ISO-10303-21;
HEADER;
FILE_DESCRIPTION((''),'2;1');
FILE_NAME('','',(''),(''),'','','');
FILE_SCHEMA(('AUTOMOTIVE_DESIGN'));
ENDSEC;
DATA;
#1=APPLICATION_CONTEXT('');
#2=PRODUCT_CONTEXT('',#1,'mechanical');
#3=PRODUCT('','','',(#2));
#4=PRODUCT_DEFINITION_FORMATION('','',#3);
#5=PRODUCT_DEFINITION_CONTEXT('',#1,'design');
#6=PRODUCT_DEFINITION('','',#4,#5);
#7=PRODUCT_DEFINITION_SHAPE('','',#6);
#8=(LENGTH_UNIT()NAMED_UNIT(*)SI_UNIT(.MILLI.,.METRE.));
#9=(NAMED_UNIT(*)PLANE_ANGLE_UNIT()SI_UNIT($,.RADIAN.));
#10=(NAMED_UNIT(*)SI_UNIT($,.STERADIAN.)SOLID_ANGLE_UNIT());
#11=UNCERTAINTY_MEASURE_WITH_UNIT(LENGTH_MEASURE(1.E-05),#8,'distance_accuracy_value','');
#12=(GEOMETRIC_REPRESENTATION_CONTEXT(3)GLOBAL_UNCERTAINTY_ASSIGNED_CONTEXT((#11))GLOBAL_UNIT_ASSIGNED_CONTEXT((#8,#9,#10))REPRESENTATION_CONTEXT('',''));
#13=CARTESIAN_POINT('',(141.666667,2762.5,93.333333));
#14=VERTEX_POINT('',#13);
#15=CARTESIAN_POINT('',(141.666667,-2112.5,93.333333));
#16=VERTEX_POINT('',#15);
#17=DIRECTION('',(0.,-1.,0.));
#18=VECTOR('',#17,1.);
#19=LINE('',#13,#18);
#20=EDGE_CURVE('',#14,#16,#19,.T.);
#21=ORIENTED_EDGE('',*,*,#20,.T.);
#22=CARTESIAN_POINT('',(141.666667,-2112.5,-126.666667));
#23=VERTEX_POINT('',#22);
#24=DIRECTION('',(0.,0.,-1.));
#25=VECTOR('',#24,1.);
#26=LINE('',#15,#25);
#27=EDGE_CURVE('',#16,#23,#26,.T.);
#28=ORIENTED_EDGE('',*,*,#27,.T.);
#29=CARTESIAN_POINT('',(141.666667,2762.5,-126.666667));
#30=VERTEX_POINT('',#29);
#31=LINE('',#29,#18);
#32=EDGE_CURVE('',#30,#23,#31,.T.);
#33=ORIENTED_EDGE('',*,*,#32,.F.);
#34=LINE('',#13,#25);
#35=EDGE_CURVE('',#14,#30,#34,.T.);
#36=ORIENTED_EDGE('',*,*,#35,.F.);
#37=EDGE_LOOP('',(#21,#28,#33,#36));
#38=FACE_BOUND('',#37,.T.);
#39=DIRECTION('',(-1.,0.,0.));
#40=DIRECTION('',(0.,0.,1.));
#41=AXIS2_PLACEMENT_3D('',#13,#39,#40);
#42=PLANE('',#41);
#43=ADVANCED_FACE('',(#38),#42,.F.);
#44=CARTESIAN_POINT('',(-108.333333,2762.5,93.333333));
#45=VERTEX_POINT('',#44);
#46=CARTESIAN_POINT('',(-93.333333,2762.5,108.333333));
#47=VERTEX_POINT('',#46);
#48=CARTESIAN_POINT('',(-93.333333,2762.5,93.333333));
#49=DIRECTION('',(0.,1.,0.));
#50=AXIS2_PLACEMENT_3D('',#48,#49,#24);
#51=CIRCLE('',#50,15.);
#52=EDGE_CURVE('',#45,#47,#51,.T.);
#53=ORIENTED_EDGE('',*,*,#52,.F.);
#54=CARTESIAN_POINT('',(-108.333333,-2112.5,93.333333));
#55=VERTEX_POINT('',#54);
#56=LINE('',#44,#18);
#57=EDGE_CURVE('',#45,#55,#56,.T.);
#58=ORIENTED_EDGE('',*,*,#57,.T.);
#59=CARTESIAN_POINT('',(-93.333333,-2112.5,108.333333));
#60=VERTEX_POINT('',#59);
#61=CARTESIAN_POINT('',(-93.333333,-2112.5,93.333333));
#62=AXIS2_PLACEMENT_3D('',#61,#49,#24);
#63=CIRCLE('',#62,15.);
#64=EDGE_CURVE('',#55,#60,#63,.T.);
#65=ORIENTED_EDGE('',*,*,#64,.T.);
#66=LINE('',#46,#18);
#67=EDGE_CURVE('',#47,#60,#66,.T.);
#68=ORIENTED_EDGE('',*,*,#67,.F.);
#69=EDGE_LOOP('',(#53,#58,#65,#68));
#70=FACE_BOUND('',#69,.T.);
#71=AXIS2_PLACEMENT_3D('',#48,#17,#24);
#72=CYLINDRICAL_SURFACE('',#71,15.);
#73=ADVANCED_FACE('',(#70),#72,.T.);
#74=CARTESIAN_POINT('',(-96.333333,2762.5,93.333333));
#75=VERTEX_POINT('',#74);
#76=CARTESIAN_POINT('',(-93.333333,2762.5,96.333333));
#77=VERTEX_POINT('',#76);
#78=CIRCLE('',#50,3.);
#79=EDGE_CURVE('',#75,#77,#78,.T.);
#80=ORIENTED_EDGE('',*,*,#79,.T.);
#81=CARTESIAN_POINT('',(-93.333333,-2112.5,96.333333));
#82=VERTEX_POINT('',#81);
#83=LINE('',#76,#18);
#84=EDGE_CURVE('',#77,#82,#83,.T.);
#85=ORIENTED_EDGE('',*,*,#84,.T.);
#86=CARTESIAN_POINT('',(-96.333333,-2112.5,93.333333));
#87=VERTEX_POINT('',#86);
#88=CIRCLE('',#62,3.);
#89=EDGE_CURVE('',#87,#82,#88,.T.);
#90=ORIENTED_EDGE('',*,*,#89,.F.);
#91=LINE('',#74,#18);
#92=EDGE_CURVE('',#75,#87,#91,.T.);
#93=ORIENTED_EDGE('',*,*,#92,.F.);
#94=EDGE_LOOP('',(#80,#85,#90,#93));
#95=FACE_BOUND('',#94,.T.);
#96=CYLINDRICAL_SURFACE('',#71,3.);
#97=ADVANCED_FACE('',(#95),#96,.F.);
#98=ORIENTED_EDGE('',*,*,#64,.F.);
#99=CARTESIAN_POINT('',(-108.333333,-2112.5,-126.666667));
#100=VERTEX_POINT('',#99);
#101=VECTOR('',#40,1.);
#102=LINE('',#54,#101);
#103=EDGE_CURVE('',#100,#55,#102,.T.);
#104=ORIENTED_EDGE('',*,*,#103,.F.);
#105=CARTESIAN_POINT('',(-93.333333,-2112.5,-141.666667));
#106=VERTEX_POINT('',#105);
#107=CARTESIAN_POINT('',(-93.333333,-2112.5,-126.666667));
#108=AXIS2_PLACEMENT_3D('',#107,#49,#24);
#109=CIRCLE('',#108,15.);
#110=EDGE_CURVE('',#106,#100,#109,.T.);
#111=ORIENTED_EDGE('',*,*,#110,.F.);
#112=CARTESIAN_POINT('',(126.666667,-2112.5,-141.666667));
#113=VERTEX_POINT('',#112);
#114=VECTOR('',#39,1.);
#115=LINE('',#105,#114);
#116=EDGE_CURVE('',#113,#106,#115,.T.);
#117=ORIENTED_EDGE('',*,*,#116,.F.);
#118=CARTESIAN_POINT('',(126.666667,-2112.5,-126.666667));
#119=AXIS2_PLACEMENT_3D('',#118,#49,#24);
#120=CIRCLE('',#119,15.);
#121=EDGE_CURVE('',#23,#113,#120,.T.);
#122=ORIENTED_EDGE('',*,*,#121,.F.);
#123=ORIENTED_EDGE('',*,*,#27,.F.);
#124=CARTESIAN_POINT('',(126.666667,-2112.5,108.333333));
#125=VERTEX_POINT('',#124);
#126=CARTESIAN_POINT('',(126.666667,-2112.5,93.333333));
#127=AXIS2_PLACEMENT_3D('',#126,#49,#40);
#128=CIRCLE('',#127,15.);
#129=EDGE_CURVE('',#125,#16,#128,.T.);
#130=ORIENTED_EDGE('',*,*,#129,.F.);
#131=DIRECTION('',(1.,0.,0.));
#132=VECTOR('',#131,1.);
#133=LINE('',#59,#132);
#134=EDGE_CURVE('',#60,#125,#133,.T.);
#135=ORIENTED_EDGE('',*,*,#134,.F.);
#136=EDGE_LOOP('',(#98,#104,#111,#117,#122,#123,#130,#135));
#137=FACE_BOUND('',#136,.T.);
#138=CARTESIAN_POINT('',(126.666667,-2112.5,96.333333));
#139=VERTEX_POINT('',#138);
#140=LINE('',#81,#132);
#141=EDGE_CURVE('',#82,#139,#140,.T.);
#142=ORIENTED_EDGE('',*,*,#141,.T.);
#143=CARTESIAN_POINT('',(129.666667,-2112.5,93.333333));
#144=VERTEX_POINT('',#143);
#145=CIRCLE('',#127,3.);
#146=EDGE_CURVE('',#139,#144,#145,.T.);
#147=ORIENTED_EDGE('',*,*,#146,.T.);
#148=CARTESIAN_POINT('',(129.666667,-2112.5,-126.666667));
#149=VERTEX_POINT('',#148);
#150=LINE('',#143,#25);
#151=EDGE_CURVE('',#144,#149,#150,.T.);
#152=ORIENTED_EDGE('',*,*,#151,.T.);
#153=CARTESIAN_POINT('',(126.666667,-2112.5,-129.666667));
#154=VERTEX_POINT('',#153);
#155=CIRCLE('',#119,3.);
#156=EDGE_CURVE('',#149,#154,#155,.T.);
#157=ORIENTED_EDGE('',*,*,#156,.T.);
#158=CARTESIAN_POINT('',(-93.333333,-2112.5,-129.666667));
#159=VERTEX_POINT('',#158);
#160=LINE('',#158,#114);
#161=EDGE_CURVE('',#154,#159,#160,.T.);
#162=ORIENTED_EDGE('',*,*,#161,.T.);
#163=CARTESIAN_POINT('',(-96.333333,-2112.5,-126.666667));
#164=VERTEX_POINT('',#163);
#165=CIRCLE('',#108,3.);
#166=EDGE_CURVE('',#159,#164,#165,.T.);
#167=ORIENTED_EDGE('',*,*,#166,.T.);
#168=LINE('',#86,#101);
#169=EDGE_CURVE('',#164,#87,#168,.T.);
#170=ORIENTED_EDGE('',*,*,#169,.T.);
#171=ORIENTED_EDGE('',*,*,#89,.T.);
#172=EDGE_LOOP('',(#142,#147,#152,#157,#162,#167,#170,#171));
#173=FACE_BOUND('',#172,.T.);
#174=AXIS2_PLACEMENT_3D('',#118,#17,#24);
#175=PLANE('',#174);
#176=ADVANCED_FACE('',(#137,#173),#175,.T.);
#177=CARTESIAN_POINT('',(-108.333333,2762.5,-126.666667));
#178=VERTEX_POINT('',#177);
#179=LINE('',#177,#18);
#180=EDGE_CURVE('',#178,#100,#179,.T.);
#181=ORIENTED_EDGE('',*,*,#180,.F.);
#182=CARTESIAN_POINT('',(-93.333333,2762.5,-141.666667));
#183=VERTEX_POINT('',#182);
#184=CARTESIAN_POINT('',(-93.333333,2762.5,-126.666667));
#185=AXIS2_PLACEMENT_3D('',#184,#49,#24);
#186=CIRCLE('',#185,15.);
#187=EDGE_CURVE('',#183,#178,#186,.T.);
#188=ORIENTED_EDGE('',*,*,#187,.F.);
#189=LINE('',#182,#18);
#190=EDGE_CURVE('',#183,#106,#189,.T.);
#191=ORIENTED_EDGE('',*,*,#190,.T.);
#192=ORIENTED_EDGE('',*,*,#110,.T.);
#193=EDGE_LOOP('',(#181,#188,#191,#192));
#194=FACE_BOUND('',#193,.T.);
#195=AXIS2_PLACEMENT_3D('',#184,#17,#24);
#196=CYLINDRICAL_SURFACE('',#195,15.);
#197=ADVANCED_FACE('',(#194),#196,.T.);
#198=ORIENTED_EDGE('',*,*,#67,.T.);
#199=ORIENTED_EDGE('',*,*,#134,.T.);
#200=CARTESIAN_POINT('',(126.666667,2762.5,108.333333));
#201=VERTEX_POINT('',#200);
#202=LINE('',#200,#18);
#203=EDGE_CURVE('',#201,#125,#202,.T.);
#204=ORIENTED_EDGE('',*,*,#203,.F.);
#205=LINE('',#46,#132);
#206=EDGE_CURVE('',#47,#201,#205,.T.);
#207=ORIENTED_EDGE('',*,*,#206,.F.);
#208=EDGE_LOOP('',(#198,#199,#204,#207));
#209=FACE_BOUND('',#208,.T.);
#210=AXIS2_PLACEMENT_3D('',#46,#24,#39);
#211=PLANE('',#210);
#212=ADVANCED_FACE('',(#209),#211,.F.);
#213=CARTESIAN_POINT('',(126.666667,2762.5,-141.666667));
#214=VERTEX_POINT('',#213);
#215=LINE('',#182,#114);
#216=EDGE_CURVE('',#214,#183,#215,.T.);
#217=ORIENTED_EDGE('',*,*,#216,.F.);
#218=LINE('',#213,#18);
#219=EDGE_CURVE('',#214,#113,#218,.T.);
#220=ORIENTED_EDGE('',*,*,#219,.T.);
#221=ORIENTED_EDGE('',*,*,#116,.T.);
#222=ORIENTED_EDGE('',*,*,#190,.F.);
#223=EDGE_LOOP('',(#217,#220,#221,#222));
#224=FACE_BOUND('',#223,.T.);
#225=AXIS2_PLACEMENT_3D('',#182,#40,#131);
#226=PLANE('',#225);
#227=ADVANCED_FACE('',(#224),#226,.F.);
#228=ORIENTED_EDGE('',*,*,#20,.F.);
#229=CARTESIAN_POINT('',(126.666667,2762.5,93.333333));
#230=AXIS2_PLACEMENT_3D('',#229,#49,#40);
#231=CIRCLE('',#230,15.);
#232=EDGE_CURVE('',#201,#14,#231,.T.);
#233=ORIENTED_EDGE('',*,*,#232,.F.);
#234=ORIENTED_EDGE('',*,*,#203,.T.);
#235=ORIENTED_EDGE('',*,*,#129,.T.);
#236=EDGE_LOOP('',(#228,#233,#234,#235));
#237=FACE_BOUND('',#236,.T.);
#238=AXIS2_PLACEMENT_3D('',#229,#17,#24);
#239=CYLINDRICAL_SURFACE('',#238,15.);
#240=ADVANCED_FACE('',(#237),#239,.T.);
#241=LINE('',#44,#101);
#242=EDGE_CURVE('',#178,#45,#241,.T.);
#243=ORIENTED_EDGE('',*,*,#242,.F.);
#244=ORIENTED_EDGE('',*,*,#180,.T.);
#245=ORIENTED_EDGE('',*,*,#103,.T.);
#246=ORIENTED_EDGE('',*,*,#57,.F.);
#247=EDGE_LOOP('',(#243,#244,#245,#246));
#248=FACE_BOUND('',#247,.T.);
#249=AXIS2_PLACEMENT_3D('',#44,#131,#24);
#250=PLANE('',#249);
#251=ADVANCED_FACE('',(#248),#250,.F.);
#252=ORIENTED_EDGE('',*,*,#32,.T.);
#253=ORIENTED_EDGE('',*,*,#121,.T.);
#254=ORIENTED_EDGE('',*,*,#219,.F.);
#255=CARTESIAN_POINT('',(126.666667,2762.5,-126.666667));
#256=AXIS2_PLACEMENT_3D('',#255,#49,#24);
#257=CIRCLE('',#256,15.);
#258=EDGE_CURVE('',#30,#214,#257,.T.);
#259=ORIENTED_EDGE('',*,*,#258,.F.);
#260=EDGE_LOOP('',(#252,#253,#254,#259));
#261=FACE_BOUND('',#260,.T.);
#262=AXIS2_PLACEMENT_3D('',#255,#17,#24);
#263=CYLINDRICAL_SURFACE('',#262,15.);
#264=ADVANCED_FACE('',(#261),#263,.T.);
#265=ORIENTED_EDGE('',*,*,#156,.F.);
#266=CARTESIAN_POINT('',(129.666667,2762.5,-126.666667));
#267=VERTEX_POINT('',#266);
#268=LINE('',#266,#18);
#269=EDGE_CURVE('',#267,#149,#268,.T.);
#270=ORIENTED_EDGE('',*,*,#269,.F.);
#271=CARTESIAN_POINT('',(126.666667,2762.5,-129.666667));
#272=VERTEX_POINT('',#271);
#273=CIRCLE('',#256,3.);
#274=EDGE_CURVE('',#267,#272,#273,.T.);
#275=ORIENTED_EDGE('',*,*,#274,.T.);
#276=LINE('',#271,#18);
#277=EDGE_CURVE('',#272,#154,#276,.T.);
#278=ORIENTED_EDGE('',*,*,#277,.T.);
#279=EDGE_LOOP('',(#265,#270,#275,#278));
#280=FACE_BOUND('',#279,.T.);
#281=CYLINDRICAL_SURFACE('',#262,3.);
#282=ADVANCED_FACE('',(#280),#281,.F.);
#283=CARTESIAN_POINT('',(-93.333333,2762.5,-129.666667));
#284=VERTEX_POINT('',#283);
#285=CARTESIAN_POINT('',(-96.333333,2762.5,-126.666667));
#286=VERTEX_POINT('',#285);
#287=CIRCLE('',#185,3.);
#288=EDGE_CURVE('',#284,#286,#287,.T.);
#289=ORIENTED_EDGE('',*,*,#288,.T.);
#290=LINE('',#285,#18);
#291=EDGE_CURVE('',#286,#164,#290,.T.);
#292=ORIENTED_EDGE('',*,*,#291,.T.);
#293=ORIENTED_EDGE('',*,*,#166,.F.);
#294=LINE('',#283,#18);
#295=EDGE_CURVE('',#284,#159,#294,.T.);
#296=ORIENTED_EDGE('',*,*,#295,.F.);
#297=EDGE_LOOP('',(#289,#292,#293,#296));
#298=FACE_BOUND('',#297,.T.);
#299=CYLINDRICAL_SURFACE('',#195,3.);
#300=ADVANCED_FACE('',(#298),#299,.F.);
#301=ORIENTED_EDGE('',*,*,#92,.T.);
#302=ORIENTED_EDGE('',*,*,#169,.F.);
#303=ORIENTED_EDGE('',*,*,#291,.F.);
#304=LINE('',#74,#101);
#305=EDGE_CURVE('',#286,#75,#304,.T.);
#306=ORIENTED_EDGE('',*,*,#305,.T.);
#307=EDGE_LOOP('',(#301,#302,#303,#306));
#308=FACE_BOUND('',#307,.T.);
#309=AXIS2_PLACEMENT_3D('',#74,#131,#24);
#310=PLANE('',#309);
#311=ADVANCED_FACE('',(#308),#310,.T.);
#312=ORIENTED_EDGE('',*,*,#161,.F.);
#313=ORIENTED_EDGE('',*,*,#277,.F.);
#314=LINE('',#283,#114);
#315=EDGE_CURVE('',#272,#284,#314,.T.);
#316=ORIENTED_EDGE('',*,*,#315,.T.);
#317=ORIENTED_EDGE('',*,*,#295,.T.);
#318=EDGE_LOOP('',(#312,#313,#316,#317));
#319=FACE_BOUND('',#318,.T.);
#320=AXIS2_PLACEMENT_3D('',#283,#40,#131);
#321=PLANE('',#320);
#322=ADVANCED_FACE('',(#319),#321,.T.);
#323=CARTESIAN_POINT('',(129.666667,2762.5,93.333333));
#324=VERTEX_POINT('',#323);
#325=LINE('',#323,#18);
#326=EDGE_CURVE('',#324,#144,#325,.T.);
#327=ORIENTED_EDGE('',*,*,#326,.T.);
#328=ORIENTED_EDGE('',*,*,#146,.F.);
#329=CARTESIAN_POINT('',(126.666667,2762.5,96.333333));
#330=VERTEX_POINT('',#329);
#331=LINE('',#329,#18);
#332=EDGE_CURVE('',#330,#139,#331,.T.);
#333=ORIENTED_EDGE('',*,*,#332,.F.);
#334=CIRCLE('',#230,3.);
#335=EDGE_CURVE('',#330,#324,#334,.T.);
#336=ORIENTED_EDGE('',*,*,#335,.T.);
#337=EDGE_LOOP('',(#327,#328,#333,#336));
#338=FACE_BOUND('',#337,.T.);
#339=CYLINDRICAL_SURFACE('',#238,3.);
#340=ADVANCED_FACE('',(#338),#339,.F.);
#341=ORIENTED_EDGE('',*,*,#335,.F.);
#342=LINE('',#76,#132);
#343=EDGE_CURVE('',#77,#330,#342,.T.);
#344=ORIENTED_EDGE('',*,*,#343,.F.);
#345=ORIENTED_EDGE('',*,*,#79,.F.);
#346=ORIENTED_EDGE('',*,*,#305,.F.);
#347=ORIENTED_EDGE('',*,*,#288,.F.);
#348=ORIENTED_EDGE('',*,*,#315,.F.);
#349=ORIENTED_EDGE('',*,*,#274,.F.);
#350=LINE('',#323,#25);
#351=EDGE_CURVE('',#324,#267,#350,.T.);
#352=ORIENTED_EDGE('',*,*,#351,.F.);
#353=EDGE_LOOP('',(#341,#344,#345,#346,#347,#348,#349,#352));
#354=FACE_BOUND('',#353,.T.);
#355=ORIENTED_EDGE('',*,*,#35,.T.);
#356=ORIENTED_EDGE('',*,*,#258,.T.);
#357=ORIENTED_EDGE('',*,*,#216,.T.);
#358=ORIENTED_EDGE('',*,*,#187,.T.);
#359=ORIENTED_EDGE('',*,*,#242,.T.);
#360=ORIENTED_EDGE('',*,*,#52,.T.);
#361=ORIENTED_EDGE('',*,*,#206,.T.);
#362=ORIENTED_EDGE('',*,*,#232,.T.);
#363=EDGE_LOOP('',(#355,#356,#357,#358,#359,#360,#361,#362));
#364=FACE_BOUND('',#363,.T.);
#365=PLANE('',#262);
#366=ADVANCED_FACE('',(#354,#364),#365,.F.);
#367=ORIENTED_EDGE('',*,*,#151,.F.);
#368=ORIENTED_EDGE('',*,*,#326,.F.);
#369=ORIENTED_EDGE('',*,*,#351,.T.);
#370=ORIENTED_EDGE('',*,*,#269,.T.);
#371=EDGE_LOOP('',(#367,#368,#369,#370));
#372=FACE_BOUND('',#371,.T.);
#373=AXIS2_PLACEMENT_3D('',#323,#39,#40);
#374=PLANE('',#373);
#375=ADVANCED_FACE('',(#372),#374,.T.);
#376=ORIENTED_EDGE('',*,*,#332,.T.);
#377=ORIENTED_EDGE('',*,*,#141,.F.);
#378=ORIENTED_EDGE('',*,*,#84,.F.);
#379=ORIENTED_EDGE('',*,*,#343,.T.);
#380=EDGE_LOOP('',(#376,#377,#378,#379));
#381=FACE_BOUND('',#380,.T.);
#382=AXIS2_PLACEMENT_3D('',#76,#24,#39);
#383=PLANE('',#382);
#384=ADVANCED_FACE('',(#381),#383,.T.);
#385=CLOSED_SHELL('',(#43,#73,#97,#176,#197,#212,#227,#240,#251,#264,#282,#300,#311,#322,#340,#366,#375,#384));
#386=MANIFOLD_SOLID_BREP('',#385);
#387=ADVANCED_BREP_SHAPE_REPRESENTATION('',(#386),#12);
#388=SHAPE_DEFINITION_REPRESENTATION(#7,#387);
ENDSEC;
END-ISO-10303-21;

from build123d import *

# Parameters (mm, degrees)
BOSS_EXTRUDE1_DEPTH = 650
SCALE1_SCALE        = 7.5


with BuildPart() as part:
    # Sketch1 → Boss-Extrude1 (new body)
    with BuildSketch(Plane(origin=(0, 0, 0), x_dir=(1, 0, 0), z_dir=(0, 1, 0))):
        with BuildLine():
            Line((2, 0), (31.333333333, 0))
            ThreePointArc((31.333333333, 0), (32.747546896, 0.585786438), (33.333333333, 2))
            Line((33.333333333, 2), (33.333333333, 31.333333333))
            ThreePointArc((33.333333333, 31.333333333), (32.747546896, 32.747546896), (31.333333333, 33.333333333))
            Line((31.333333333, 33.333333333), (2, 33.333333333))
            ThreePointArc((2, 33.333333333), (0.585786438, 32.747546896), (0, 31.333333333))
            Line((0, 31.333333333), (0, 2))
            ThreePointArc((0, 2), (0.585786438, 0.585786438), (2, 0))
        make_face()
        with BuildLine():
            Line((1.6, 2), (1.6, 31.333333333))
            ThreePointArc((1.6, 31.333333333), (1.717157288, 31.616176046), (2, 31.733333333))
            Line((2, 31.733333333), (31.333333333, 31.733333333))
            ThreePointArc((31.333333333, 31.733333333), (31.616176046, 31.616176046), (31.733333333, 31.333333333))
            Line((31.733333333, 31.333333333), (31.733333333, 2))
            ThreePointArc((31.733333333, 2), (31.616176046, 1.717157288), (31.333333333, 1.6))
            Line((31.333333333, 1.6), (2, 1.6))
            ThreePointArc((2, 1.6), (1.717157288, 1.717157288), (1.6, 2))
        make_face(mode=Mode.SUBTRACT)
    extrude(amount=BOSS_EXTRUDE1_DEPTH)


with BuildPart() as part_1:
    # Scale1: scaled about (16.666666667, 325, -16.666666667)
    add(part.part.scale(SCALE1_SCALE).moved(Location((-108.333333336, -2112.5, 108.333333336))))


solid = part_1.part
